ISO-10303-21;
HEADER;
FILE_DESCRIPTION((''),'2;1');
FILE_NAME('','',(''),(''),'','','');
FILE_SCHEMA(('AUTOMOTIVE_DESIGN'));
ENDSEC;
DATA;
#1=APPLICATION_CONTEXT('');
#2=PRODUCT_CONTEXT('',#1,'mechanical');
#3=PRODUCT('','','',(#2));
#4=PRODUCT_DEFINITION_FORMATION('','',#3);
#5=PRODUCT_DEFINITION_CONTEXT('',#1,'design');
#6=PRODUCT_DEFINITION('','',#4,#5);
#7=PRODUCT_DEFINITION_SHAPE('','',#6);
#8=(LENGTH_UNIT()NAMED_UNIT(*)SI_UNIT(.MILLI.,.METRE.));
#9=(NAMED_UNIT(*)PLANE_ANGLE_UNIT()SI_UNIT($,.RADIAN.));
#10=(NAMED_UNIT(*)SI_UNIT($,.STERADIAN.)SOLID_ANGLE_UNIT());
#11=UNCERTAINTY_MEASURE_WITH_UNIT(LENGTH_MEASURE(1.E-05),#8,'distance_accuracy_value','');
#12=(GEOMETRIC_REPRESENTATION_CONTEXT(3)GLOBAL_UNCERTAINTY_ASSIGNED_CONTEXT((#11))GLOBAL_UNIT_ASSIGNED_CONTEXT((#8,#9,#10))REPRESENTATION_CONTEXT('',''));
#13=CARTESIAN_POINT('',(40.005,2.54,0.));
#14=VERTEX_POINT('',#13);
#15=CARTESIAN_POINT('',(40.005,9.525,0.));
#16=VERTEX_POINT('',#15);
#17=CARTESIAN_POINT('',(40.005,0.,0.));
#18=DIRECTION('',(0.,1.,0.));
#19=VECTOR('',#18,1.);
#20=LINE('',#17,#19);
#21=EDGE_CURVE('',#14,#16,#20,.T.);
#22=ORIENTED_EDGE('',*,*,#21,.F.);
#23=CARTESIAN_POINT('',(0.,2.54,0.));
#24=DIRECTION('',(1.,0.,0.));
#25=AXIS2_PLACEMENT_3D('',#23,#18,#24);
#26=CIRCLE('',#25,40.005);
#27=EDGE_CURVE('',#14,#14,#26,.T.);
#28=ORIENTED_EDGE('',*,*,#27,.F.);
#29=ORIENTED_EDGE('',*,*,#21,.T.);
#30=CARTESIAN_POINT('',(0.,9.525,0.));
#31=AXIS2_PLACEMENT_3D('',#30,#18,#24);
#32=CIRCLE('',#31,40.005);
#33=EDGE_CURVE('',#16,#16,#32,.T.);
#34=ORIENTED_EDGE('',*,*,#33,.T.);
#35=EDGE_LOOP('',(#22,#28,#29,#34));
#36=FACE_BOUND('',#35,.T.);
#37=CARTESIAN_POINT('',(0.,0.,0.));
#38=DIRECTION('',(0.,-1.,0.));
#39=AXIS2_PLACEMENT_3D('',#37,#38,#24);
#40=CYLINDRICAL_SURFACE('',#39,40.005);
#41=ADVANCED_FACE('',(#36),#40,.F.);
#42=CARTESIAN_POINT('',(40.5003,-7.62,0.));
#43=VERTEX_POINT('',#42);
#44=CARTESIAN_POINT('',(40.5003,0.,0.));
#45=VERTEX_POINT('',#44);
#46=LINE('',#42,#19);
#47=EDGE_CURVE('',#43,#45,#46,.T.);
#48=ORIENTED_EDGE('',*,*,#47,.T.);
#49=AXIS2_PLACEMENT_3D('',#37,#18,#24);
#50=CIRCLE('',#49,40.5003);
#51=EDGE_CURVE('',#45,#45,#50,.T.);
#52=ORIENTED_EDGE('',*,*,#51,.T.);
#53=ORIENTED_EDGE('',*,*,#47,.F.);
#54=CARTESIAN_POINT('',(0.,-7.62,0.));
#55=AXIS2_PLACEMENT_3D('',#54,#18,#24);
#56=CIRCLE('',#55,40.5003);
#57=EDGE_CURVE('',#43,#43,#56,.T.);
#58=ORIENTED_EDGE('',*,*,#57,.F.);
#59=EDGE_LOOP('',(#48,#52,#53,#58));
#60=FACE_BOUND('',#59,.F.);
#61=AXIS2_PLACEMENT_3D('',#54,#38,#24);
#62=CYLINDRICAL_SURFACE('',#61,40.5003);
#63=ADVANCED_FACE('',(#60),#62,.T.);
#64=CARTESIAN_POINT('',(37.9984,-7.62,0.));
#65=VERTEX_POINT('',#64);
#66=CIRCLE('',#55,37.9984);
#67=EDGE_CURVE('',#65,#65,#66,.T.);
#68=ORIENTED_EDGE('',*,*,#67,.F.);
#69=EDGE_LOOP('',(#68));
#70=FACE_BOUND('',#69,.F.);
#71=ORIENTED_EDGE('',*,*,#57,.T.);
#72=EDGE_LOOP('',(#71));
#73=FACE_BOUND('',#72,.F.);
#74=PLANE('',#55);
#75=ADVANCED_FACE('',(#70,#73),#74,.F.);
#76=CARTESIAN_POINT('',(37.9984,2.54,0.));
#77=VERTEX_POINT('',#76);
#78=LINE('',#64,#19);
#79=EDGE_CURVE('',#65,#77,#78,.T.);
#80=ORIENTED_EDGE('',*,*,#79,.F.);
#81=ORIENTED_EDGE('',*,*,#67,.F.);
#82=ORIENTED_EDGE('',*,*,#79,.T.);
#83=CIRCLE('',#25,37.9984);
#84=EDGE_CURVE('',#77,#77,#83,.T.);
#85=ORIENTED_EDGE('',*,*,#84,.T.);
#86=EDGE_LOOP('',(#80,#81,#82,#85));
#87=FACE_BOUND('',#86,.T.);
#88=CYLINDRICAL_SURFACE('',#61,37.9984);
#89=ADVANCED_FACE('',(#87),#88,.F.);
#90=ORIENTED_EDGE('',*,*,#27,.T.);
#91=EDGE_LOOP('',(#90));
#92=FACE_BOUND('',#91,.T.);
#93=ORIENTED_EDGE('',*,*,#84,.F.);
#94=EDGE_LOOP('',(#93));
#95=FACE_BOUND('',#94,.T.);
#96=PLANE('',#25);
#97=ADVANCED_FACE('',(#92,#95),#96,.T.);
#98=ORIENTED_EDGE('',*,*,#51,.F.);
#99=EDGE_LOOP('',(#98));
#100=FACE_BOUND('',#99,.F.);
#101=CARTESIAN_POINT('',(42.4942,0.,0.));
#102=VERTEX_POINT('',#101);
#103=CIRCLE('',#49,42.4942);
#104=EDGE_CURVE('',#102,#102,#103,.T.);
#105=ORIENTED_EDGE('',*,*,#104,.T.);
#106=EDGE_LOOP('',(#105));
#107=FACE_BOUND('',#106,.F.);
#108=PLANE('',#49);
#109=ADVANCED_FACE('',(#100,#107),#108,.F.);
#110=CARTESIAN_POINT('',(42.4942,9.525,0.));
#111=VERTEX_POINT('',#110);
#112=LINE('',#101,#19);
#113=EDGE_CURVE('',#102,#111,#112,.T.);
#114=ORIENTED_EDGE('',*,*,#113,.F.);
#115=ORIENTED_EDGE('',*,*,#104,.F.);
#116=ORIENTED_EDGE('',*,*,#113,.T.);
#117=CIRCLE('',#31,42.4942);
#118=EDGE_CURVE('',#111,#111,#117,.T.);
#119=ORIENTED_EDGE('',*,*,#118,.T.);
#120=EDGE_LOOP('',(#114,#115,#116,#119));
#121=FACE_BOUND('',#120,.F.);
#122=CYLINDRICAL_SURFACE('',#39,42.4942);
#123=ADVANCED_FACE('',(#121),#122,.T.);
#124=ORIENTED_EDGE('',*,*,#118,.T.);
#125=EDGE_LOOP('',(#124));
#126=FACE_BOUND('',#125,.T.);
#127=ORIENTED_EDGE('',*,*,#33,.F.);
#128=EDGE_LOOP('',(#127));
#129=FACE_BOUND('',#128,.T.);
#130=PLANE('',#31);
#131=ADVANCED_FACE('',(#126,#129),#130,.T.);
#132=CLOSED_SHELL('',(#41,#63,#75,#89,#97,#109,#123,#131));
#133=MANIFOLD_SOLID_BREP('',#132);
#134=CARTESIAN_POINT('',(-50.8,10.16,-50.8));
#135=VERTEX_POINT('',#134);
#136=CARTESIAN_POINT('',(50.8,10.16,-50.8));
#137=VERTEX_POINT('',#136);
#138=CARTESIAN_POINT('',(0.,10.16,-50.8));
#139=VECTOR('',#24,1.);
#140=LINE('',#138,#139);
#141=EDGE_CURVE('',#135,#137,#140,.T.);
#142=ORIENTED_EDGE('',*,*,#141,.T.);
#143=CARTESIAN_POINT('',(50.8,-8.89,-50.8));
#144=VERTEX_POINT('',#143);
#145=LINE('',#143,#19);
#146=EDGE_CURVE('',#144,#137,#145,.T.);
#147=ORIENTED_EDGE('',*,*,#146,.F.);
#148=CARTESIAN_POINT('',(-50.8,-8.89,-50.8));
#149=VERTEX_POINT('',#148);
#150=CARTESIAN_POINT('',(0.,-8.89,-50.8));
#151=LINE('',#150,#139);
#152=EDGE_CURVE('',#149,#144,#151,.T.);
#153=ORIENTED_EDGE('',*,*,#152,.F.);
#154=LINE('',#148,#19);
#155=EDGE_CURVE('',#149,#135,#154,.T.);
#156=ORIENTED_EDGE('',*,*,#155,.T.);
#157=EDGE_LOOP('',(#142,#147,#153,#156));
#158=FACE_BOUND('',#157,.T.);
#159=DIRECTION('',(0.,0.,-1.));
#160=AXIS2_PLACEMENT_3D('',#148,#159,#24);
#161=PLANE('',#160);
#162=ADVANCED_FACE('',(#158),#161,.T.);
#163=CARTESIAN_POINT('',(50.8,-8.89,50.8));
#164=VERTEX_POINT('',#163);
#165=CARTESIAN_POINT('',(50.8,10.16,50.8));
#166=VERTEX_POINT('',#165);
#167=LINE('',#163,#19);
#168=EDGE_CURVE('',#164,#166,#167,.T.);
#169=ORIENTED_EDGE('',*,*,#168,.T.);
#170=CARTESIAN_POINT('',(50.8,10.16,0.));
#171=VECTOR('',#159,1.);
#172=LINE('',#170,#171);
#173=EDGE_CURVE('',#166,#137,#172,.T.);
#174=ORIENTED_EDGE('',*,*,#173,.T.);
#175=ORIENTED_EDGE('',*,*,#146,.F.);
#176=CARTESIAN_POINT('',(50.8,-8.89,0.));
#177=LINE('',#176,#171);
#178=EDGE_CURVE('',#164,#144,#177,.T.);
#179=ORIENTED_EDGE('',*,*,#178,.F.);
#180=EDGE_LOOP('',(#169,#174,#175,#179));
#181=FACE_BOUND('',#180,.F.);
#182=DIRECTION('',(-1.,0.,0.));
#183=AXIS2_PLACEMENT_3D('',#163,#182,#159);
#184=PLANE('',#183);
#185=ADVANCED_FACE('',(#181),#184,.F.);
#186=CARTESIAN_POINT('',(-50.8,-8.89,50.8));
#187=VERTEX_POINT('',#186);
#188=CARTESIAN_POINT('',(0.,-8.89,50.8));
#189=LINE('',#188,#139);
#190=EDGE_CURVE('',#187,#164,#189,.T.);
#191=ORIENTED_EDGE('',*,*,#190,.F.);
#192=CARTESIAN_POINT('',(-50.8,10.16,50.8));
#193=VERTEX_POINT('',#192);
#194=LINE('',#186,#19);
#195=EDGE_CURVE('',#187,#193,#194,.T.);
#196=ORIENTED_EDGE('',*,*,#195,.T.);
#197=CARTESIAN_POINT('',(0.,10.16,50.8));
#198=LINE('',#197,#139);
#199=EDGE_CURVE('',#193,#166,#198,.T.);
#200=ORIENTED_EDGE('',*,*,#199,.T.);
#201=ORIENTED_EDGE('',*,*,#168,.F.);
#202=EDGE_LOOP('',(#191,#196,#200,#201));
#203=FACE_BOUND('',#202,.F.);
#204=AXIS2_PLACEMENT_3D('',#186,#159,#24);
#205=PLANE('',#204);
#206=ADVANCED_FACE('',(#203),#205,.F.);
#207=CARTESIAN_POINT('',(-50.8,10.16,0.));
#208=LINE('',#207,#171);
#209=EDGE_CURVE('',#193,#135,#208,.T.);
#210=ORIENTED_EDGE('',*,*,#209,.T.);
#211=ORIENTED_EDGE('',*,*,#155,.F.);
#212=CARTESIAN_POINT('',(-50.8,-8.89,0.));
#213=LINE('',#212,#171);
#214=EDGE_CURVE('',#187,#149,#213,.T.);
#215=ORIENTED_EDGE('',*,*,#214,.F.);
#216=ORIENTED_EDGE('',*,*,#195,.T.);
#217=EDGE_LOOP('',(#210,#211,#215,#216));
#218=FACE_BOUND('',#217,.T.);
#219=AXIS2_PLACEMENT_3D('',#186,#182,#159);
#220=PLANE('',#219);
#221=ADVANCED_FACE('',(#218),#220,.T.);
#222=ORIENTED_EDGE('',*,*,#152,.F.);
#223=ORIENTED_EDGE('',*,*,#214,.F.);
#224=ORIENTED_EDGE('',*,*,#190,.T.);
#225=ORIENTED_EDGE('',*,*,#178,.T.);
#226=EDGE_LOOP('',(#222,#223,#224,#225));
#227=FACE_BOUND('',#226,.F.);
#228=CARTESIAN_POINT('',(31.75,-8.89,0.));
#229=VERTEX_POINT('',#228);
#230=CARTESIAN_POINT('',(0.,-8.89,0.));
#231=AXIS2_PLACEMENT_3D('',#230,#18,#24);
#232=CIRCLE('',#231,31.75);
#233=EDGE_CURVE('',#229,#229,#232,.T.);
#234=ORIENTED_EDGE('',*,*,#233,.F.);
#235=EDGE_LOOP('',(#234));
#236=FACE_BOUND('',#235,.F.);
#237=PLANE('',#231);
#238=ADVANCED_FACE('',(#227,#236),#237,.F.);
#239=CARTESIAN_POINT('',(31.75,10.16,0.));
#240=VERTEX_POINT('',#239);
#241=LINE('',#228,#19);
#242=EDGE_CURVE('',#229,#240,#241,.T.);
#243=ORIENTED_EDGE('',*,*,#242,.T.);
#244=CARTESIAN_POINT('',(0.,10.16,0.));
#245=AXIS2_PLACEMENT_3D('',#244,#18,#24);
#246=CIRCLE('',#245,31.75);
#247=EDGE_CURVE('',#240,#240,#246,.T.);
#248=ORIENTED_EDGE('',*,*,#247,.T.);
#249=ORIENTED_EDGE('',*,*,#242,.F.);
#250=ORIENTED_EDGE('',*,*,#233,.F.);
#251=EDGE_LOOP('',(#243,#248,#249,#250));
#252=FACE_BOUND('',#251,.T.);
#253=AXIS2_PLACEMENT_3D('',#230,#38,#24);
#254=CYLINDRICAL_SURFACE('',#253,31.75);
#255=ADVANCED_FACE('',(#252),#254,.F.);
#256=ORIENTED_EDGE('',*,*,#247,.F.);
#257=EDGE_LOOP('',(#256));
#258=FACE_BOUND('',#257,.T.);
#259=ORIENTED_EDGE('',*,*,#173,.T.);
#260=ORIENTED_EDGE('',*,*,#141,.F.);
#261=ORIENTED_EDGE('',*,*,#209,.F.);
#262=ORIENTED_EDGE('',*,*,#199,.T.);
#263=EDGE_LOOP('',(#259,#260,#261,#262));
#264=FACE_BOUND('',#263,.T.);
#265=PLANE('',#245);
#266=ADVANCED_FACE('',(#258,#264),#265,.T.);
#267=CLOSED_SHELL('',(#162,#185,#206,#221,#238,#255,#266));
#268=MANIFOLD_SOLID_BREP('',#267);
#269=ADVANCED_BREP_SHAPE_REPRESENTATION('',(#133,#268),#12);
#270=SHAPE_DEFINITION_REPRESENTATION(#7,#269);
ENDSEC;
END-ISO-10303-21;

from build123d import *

# Parameters (mm, degrees)
SKETCH2_R                = 42.4942
SKETCH2_R_2              = 40.005
BOSS_EXTRUDE1_DEPTH      = 9.525
SKETCH2_4_R              = 40.005
SKETCH2_4_R_2            = 37.9984
BOSS_EXTRUDE2_DEPTH      = 2.54
BOSS_EXTRUDE3_START      = -7.62
SKETCH2_5_R              = 40.5003
SKETCH2_5_R_2            = 37.9984
BOSS_EXTRUDE3_DEPTH      = 7.62
BOSS_EXTRUDE4_DEPTH      = 10.16
BOSS_EXTRUDE4_DEPTH_BACK = 8.89
SKETCH3_W                = 101.6
SKETCH3_H                = 101.6
SKETCH3_R                = 31.75


with BuildPart() as part:
    # Sketch2 → Boss-Extrude1 (new body)
    with BuildSketch(Plane(origin=(0, 0, 0), x_dir=(1, 0, 0), z_dir=(0, 1, 0))):
        Circle(SKETCH2_R)
        Circle(SKETCH2_R_2, mode=Mode.SUBTRACT)
    extrude(amount=BOSS_EXTRUDE1_DEPTH)

    # Sketch2<4> → Boss-Extrude2 (add)
    with BuildSketch(Plane(origin=(0, 0, 0), x_dir=(1, 0, 0), z_dir=(0, 1, 0))):
        Circle(SKETCH2_4_R)
        Circle(SKETCH2_4_R_2, mode=Mode.SUBTRACT)
    extrude(amount=BOSS_EXTRUDE2_DEPTH)

    # Sketch2<5> → Boss-Extrude3 (add)
    with BuildSketch(Plane(origin=(0, 0, 0), x_dir=(1, 0, 0), z_dir=(0, 1, 0)).offset(BOSS_EXTRUDE3_START)):
        Circle(SKETCH2_5_R)
        Circle(SKETCH2_5_R_2, mode=Mode.SUBTRACT)
    extrude(amount=BOSS_EXTRUDE3_DEPTH)


with BuildPart() as body_2:
    # Sketch3 → Boss-Extrude4 (new, two sides: drawn at the far end of the back side and taken through both)
    with BuildSketch(Plane(origin=(0, 0, 0), x_dir=(1, 0, 0), z_dir=(0, 1, 0)).offset(-BOSS_EXTRUDE4_DEPTH_BACK)):
        Rectangle(SKETCH3_W, SKETCH3_H)
        Circle(SKETCH3_R, mode=Mode.SUBTRACT)
    extrude(amount=BOSS_EXTRUDE4_DEPTH + BOSS_EXTRUDE4_DEPTH_BACK)


solid = Compound([part.part, body_2.part])
